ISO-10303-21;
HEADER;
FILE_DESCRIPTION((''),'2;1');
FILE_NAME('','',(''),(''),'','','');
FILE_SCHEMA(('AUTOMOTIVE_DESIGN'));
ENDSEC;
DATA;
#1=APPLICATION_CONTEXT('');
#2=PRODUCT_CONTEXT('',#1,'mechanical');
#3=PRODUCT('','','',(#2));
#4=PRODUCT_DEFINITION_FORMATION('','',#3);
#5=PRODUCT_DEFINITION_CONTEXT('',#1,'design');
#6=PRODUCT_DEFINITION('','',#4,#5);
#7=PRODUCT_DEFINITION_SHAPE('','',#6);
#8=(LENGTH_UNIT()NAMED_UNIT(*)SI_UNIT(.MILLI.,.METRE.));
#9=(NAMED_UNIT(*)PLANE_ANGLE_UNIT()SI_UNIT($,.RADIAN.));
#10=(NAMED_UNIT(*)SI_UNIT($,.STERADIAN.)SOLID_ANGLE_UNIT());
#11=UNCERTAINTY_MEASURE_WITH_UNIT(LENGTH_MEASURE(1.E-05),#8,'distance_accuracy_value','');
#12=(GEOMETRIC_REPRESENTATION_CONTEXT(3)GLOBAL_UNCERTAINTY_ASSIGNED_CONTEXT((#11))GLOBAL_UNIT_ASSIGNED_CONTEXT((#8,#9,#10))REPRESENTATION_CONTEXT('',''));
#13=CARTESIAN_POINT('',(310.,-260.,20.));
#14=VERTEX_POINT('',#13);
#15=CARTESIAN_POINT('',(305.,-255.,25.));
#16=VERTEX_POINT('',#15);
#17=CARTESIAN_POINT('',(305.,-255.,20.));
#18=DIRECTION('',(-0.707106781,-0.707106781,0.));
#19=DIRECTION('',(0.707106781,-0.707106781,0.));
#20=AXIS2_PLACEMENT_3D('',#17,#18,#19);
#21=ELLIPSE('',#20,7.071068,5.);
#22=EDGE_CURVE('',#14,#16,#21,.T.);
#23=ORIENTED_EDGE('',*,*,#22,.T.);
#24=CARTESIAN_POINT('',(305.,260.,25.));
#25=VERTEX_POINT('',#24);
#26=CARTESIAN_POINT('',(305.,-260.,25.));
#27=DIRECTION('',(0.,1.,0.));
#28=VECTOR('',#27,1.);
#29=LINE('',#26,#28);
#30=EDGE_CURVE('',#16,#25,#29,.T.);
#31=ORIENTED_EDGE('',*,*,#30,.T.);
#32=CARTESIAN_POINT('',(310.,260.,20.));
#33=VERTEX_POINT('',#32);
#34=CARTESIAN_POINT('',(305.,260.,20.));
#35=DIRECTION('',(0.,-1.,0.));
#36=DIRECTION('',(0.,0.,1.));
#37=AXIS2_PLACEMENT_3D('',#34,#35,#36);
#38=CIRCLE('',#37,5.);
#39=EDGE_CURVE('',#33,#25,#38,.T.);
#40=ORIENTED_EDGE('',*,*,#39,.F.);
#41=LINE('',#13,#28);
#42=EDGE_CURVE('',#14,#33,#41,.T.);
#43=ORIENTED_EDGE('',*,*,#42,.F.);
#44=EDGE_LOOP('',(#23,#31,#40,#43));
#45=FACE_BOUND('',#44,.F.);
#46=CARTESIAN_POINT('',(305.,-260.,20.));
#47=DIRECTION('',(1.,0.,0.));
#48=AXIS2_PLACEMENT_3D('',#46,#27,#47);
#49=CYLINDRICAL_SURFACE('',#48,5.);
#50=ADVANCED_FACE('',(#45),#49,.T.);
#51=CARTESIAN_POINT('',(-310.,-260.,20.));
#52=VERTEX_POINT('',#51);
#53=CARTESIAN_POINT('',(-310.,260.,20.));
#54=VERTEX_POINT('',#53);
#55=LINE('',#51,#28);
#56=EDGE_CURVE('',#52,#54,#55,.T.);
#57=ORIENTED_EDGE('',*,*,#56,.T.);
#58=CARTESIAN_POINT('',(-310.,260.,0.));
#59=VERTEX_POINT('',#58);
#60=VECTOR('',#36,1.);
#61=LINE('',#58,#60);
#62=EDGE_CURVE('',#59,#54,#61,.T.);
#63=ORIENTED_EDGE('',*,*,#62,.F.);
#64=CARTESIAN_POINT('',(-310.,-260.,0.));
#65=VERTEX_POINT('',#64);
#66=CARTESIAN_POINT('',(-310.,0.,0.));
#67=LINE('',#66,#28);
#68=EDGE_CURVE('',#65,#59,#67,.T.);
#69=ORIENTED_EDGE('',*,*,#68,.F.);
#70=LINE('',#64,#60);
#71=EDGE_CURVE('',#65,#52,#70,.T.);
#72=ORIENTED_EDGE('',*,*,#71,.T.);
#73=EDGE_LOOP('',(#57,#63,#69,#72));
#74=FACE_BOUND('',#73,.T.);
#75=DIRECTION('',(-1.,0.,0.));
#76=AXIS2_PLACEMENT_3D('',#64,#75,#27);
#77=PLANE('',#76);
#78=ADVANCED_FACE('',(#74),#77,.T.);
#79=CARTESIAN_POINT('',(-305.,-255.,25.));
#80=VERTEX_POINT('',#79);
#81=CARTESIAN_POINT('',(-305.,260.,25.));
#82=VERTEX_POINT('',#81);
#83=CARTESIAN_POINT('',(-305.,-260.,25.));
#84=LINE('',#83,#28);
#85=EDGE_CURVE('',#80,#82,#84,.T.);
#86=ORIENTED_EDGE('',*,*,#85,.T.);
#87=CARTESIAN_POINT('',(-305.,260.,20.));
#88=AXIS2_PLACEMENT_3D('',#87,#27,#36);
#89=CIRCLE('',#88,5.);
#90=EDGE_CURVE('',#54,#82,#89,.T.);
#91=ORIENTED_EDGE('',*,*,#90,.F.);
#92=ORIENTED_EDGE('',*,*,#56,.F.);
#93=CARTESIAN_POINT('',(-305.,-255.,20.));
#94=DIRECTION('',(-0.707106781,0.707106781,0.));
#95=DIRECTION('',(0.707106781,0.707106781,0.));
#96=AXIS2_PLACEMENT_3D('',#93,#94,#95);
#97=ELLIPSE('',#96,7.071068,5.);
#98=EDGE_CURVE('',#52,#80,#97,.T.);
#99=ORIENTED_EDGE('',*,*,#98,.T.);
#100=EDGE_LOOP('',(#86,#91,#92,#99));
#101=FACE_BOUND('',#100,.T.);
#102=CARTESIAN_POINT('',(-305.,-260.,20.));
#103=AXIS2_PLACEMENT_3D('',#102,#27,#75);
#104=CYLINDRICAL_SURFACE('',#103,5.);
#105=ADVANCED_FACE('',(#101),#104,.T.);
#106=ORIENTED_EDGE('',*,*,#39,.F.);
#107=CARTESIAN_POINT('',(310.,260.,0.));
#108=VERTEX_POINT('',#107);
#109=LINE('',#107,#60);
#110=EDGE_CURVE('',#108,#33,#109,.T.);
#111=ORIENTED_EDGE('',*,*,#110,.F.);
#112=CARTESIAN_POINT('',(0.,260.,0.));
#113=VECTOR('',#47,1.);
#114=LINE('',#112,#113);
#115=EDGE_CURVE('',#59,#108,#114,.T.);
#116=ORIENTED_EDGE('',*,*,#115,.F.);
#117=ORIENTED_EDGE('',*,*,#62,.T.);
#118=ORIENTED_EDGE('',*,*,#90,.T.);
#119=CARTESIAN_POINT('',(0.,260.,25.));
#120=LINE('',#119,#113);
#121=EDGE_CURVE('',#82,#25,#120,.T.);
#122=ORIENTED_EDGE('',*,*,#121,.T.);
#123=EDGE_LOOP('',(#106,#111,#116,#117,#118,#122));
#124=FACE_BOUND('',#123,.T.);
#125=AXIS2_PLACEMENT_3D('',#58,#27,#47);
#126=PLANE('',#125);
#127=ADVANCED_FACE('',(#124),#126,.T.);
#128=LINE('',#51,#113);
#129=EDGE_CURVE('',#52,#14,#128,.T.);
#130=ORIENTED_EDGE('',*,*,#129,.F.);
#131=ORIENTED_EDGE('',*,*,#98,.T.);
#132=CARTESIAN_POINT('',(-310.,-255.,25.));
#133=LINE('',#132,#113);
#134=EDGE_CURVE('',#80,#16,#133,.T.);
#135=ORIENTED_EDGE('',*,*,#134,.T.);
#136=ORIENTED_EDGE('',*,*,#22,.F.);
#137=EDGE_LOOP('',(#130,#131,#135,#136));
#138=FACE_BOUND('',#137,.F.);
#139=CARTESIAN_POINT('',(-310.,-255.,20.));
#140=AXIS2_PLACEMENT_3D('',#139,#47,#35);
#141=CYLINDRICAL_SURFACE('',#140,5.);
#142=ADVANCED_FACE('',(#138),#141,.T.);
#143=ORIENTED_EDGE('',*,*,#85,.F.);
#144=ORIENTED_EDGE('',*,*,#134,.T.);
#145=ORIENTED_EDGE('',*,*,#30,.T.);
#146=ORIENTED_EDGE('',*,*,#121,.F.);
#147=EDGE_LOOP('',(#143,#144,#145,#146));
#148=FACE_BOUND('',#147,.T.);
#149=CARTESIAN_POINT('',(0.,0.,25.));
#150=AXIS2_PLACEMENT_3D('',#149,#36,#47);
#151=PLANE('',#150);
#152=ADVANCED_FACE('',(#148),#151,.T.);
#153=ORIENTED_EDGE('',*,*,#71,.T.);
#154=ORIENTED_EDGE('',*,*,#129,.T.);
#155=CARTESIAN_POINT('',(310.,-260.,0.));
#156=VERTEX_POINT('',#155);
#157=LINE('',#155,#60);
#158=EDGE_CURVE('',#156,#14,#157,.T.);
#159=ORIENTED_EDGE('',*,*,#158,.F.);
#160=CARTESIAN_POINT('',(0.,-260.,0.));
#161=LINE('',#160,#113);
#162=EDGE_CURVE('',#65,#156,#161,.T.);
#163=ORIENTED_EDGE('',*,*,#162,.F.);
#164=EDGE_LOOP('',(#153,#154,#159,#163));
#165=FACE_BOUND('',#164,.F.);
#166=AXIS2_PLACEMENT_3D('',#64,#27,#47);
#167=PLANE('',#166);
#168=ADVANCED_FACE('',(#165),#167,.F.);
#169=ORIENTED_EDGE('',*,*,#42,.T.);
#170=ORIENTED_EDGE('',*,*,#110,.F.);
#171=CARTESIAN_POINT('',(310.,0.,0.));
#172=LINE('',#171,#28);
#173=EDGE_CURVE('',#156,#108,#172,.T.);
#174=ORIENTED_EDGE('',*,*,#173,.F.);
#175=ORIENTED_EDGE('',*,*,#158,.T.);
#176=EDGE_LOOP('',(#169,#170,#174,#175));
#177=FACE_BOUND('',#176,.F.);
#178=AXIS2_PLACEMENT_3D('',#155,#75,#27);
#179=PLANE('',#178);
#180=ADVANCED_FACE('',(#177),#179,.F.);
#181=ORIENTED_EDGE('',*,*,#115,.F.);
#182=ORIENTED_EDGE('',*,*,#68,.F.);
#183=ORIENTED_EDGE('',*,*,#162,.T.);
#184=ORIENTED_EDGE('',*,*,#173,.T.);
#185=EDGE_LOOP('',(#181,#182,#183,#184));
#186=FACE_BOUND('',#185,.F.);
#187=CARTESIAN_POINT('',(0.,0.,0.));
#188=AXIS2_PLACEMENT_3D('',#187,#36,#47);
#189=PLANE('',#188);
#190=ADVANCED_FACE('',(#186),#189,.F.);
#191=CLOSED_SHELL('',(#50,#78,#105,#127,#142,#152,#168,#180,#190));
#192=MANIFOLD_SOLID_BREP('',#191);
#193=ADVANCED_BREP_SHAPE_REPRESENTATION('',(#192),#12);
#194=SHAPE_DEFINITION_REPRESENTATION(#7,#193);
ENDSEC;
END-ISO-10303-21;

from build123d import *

# Parameters (mm, degrees)
F0_W     = 620
F0_H     = 520
F1_DEPTH = 25
F2_R     = 5


with BuildPart() as f1:
    # F0 (on Top) → F1 (new body)
    with BuildSketch(Plane.XY):
        Rectangle(F0_W, F0_H)
    extrude(amount=F1_DEPTH)

    # F2
    f2_edges = [f1.edges().sort_by_distance(p)[0] for p in [
        (0, -260, 25),
        (-310, 0, 25),
        (310, 0, 25),
    ]]
    fillet(f2_edges, radius=F2_R)


solid = f1.part
